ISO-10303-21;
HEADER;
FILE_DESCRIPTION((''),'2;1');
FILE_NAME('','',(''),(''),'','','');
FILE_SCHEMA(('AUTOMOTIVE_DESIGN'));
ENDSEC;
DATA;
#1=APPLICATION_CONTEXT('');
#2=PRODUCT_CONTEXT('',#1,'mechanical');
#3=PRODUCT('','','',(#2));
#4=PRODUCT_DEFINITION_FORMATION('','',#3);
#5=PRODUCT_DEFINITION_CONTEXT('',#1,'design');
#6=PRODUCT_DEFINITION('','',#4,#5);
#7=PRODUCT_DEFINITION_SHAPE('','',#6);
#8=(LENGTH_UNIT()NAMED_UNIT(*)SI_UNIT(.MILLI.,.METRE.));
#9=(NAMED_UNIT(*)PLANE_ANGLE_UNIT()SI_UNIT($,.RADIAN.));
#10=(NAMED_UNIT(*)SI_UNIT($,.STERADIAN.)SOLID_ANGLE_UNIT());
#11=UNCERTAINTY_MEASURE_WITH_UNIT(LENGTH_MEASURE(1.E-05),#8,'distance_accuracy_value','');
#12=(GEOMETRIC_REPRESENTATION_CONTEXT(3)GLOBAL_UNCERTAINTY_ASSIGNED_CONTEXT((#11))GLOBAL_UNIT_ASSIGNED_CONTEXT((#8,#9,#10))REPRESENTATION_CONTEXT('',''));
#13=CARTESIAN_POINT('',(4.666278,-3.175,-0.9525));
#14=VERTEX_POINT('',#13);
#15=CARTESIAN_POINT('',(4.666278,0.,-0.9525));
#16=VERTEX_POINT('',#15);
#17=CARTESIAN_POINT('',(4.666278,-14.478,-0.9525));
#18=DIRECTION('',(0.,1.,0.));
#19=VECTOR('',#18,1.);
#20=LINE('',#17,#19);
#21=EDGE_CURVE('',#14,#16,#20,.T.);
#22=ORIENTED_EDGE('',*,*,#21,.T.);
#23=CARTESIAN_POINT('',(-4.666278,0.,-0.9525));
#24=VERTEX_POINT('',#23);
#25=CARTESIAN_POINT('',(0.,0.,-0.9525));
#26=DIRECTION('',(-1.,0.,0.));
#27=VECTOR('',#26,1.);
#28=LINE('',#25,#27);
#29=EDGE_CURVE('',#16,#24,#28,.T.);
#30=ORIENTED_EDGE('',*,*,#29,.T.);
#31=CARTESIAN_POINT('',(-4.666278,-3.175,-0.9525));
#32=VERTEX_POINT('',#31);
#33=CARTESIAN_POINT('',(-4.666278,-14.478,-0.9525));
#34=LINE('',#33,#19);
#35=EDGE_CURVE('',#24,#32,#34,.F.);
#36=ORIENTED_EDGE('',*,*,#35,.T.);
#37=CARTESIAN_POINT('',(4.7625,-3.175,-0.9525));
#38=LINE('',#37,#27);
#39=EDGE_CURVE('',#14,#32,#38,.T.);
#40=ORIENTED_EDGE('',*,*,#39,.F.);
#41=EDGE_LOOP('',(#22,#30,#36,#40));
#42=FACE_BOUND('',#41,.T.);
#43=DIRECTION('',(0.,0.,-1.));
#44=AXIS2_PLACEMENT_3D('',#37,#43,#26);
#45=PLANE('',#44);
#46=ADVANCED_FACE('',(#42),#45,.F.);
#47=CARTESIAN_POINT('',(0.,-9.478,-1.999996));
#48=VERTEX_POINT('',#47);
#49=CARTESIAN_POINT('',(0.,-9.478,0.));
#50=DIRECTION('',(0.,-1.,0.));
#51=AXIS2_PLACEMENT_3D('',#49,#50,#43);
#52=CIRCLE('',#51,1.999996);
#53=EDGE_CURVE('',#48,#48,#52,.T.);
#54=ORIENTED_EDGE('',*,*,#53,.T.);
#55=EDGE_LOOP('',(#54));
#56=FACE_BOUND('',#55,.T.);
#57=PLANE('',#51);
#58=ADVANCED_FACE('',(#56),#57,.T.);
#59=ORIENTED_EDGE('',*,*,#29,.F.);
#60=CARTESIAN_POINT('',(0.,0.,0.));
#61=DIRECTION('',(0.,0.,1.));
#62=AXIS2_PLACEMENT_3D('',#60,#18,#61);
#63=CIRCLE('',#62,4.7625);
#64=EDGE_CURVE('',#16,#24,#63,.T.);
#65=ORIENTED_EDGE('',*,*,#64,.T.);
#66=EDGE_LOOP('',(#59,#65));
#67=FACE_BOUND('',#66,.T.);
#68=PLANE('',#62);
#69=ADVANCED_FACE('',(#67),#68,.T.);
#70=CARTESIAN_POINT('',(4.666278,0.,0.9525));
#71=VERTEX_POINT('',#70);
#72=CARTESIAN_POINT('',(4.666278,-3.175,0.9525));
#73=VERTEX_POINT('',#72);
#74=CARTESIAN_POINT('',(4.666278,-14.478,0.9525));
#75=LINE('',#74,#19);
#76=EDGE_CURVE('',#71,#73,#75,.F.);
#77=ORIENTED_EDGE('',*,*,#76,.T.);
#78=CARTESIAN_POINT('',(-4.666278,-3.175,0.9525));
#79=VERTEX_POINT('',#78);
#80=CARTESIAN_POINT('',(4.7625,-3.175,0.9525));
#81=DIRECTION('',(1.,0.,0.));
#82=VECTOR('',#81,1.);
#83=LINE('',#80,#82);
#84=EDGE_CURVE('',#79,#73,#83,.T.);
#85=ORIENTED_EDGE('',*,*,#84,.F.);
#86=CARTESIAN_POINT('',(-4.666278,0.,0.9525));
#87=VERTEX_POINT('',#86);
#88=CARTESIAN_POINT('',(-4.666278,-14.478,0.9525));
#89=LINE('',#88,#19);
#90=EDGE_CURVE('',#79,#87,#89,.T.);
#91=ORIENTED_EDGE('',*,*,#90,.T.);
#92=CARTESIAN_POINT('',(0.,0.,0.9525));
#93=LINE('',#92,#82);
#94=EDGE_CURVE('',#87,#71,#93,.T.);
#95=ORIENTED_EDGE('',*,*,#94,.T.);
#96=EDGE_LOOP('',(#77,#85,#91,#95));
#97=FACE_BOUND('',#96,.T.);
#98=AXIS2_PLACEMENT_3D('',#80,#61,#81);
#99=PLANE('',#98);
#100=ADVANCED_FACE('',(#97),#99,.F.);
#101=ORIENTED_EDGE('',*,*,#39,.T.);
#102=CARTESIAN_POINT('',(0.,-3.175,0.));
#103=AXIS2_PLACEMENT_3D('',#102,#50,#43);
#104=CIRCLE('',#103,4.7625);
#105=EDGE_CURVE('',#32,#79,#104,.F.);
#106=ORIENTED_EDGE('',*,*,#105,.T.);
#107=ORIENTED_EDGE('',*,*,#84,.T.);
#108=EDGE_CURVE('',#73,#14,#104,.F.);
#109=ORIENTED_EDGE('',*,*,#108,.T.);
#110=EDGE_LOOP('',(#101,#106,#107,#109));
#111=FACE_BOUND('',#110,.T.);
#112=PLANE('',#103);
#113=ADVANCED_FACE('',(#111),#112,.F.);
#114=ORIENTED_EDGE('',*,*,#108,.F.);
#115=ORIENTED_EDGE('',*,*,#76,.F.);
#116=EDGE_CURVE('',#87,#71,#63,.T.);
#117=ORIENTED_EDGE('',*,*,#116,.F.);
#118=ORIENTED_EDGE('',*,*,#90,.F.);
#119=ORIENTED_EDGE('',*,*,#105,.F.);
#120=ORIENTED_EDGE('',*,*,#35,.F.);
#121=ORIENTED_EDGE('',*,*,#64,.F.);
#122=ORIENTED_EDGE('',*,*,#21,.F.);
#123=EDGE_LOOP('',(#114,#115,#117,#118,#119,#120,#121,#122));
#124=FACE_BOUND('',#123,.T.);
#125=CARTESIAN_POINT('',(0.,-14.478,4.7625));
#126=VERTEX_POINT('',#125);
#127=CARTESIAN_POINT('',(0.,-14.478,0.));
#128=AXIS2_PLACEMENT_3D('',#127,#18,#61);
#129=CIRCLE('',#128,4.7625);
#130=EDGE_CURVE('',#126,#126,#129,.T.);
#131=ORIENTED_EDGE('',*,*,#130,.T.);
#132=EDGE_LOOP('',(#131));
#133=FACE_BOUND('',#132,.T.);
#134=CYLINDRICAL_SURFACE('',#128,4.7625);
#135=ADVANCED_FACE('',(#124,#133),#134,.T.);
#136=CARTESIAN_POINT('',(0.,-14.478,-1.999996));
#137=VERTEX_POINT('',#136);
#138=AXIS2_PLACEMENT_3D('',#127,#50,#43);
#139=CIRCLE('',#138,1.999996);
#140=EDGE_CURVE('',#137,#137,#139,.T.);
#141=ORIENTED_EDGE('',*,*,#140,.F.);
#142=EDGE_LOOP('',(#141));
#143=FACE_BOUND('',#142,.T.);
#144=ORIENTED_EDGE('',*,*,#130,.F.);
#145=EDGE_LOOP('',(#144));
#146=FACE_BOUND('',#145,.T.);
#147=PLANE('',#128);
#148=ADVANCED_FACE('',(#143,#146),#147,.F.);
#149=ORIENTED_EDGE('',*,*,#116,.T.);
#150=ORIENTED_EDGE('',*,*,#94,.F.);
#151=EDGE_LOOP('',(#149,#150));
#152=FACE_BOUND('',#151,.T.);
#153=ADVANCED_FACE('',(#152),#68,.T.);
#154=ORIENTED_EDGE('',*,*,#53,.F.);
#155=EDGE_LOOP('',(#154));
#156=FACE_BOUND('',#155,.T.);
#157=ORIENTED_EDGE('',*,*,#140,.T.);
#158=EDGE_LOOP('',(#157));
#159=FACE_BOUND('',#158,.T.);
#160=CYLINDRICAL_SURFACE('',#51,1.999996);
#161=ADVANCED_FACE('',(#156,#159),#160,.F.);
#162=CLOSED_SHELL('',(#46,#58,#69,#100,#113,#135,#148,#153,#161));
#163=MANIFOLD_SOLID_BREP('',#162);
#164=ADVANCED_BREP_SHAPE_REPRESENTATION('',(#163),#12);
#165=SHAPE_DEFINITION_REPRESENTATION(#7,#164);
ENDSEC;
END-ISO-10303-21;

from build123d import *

# Parameters (mm, degrees)
SKETCH1_R           = 4.7625
BOSS_EXTRUDE1_DEPTH = 14.478
SKETCH2_W           = 9.525
SKETCH2_H           = 1.905
CUT_EXTRUDE1_DEPTH  = 3.175
SKETCH3_R           = 1.999996
CUT_EXTRUDE2_DEPTH  = 5


with BuildPart() as part:
    # Sketch1 → Boss-Extrude1 (new body)
    with BuildSketch(Plane(origin=(0, 0, 0), x_dir=(1, 0, 0), z_dir=(0, 1, 0))):
        with Locations(Location((0, 0, 0), (0, 0, 270))):
            Circle(SKETCH1_R)
    extrude(amount=-BOSS_EXTRUDE1_DEPTH)

    # Sketch2 → Cut-Extrude1 (cut)
    with BuildSketch(Plane(origin=(0, 0, 0), x_dir=(1, 0, 0), z_dir=(0, 1, 0))):
        Rectangle(SKETCH2_W, SKETCH2_H)
    extrude(amount=-CUT_EXTRUDE1_DEPTH, mode=Mode.SUBTRACT)

    # Sketch3 → Cut-Extrude2 (cut)
    with BuildSketch(Plane.XZ.offset(14.478)):
        with Locations(Location((0, 0, 0), (0, 0, 270))):
            Circle(SKETCH3_R)
    extrude(amount=-CUT_EXTRUDE2_DEPTH, mode=Mode.SUBTRACT)


solid = part.part
